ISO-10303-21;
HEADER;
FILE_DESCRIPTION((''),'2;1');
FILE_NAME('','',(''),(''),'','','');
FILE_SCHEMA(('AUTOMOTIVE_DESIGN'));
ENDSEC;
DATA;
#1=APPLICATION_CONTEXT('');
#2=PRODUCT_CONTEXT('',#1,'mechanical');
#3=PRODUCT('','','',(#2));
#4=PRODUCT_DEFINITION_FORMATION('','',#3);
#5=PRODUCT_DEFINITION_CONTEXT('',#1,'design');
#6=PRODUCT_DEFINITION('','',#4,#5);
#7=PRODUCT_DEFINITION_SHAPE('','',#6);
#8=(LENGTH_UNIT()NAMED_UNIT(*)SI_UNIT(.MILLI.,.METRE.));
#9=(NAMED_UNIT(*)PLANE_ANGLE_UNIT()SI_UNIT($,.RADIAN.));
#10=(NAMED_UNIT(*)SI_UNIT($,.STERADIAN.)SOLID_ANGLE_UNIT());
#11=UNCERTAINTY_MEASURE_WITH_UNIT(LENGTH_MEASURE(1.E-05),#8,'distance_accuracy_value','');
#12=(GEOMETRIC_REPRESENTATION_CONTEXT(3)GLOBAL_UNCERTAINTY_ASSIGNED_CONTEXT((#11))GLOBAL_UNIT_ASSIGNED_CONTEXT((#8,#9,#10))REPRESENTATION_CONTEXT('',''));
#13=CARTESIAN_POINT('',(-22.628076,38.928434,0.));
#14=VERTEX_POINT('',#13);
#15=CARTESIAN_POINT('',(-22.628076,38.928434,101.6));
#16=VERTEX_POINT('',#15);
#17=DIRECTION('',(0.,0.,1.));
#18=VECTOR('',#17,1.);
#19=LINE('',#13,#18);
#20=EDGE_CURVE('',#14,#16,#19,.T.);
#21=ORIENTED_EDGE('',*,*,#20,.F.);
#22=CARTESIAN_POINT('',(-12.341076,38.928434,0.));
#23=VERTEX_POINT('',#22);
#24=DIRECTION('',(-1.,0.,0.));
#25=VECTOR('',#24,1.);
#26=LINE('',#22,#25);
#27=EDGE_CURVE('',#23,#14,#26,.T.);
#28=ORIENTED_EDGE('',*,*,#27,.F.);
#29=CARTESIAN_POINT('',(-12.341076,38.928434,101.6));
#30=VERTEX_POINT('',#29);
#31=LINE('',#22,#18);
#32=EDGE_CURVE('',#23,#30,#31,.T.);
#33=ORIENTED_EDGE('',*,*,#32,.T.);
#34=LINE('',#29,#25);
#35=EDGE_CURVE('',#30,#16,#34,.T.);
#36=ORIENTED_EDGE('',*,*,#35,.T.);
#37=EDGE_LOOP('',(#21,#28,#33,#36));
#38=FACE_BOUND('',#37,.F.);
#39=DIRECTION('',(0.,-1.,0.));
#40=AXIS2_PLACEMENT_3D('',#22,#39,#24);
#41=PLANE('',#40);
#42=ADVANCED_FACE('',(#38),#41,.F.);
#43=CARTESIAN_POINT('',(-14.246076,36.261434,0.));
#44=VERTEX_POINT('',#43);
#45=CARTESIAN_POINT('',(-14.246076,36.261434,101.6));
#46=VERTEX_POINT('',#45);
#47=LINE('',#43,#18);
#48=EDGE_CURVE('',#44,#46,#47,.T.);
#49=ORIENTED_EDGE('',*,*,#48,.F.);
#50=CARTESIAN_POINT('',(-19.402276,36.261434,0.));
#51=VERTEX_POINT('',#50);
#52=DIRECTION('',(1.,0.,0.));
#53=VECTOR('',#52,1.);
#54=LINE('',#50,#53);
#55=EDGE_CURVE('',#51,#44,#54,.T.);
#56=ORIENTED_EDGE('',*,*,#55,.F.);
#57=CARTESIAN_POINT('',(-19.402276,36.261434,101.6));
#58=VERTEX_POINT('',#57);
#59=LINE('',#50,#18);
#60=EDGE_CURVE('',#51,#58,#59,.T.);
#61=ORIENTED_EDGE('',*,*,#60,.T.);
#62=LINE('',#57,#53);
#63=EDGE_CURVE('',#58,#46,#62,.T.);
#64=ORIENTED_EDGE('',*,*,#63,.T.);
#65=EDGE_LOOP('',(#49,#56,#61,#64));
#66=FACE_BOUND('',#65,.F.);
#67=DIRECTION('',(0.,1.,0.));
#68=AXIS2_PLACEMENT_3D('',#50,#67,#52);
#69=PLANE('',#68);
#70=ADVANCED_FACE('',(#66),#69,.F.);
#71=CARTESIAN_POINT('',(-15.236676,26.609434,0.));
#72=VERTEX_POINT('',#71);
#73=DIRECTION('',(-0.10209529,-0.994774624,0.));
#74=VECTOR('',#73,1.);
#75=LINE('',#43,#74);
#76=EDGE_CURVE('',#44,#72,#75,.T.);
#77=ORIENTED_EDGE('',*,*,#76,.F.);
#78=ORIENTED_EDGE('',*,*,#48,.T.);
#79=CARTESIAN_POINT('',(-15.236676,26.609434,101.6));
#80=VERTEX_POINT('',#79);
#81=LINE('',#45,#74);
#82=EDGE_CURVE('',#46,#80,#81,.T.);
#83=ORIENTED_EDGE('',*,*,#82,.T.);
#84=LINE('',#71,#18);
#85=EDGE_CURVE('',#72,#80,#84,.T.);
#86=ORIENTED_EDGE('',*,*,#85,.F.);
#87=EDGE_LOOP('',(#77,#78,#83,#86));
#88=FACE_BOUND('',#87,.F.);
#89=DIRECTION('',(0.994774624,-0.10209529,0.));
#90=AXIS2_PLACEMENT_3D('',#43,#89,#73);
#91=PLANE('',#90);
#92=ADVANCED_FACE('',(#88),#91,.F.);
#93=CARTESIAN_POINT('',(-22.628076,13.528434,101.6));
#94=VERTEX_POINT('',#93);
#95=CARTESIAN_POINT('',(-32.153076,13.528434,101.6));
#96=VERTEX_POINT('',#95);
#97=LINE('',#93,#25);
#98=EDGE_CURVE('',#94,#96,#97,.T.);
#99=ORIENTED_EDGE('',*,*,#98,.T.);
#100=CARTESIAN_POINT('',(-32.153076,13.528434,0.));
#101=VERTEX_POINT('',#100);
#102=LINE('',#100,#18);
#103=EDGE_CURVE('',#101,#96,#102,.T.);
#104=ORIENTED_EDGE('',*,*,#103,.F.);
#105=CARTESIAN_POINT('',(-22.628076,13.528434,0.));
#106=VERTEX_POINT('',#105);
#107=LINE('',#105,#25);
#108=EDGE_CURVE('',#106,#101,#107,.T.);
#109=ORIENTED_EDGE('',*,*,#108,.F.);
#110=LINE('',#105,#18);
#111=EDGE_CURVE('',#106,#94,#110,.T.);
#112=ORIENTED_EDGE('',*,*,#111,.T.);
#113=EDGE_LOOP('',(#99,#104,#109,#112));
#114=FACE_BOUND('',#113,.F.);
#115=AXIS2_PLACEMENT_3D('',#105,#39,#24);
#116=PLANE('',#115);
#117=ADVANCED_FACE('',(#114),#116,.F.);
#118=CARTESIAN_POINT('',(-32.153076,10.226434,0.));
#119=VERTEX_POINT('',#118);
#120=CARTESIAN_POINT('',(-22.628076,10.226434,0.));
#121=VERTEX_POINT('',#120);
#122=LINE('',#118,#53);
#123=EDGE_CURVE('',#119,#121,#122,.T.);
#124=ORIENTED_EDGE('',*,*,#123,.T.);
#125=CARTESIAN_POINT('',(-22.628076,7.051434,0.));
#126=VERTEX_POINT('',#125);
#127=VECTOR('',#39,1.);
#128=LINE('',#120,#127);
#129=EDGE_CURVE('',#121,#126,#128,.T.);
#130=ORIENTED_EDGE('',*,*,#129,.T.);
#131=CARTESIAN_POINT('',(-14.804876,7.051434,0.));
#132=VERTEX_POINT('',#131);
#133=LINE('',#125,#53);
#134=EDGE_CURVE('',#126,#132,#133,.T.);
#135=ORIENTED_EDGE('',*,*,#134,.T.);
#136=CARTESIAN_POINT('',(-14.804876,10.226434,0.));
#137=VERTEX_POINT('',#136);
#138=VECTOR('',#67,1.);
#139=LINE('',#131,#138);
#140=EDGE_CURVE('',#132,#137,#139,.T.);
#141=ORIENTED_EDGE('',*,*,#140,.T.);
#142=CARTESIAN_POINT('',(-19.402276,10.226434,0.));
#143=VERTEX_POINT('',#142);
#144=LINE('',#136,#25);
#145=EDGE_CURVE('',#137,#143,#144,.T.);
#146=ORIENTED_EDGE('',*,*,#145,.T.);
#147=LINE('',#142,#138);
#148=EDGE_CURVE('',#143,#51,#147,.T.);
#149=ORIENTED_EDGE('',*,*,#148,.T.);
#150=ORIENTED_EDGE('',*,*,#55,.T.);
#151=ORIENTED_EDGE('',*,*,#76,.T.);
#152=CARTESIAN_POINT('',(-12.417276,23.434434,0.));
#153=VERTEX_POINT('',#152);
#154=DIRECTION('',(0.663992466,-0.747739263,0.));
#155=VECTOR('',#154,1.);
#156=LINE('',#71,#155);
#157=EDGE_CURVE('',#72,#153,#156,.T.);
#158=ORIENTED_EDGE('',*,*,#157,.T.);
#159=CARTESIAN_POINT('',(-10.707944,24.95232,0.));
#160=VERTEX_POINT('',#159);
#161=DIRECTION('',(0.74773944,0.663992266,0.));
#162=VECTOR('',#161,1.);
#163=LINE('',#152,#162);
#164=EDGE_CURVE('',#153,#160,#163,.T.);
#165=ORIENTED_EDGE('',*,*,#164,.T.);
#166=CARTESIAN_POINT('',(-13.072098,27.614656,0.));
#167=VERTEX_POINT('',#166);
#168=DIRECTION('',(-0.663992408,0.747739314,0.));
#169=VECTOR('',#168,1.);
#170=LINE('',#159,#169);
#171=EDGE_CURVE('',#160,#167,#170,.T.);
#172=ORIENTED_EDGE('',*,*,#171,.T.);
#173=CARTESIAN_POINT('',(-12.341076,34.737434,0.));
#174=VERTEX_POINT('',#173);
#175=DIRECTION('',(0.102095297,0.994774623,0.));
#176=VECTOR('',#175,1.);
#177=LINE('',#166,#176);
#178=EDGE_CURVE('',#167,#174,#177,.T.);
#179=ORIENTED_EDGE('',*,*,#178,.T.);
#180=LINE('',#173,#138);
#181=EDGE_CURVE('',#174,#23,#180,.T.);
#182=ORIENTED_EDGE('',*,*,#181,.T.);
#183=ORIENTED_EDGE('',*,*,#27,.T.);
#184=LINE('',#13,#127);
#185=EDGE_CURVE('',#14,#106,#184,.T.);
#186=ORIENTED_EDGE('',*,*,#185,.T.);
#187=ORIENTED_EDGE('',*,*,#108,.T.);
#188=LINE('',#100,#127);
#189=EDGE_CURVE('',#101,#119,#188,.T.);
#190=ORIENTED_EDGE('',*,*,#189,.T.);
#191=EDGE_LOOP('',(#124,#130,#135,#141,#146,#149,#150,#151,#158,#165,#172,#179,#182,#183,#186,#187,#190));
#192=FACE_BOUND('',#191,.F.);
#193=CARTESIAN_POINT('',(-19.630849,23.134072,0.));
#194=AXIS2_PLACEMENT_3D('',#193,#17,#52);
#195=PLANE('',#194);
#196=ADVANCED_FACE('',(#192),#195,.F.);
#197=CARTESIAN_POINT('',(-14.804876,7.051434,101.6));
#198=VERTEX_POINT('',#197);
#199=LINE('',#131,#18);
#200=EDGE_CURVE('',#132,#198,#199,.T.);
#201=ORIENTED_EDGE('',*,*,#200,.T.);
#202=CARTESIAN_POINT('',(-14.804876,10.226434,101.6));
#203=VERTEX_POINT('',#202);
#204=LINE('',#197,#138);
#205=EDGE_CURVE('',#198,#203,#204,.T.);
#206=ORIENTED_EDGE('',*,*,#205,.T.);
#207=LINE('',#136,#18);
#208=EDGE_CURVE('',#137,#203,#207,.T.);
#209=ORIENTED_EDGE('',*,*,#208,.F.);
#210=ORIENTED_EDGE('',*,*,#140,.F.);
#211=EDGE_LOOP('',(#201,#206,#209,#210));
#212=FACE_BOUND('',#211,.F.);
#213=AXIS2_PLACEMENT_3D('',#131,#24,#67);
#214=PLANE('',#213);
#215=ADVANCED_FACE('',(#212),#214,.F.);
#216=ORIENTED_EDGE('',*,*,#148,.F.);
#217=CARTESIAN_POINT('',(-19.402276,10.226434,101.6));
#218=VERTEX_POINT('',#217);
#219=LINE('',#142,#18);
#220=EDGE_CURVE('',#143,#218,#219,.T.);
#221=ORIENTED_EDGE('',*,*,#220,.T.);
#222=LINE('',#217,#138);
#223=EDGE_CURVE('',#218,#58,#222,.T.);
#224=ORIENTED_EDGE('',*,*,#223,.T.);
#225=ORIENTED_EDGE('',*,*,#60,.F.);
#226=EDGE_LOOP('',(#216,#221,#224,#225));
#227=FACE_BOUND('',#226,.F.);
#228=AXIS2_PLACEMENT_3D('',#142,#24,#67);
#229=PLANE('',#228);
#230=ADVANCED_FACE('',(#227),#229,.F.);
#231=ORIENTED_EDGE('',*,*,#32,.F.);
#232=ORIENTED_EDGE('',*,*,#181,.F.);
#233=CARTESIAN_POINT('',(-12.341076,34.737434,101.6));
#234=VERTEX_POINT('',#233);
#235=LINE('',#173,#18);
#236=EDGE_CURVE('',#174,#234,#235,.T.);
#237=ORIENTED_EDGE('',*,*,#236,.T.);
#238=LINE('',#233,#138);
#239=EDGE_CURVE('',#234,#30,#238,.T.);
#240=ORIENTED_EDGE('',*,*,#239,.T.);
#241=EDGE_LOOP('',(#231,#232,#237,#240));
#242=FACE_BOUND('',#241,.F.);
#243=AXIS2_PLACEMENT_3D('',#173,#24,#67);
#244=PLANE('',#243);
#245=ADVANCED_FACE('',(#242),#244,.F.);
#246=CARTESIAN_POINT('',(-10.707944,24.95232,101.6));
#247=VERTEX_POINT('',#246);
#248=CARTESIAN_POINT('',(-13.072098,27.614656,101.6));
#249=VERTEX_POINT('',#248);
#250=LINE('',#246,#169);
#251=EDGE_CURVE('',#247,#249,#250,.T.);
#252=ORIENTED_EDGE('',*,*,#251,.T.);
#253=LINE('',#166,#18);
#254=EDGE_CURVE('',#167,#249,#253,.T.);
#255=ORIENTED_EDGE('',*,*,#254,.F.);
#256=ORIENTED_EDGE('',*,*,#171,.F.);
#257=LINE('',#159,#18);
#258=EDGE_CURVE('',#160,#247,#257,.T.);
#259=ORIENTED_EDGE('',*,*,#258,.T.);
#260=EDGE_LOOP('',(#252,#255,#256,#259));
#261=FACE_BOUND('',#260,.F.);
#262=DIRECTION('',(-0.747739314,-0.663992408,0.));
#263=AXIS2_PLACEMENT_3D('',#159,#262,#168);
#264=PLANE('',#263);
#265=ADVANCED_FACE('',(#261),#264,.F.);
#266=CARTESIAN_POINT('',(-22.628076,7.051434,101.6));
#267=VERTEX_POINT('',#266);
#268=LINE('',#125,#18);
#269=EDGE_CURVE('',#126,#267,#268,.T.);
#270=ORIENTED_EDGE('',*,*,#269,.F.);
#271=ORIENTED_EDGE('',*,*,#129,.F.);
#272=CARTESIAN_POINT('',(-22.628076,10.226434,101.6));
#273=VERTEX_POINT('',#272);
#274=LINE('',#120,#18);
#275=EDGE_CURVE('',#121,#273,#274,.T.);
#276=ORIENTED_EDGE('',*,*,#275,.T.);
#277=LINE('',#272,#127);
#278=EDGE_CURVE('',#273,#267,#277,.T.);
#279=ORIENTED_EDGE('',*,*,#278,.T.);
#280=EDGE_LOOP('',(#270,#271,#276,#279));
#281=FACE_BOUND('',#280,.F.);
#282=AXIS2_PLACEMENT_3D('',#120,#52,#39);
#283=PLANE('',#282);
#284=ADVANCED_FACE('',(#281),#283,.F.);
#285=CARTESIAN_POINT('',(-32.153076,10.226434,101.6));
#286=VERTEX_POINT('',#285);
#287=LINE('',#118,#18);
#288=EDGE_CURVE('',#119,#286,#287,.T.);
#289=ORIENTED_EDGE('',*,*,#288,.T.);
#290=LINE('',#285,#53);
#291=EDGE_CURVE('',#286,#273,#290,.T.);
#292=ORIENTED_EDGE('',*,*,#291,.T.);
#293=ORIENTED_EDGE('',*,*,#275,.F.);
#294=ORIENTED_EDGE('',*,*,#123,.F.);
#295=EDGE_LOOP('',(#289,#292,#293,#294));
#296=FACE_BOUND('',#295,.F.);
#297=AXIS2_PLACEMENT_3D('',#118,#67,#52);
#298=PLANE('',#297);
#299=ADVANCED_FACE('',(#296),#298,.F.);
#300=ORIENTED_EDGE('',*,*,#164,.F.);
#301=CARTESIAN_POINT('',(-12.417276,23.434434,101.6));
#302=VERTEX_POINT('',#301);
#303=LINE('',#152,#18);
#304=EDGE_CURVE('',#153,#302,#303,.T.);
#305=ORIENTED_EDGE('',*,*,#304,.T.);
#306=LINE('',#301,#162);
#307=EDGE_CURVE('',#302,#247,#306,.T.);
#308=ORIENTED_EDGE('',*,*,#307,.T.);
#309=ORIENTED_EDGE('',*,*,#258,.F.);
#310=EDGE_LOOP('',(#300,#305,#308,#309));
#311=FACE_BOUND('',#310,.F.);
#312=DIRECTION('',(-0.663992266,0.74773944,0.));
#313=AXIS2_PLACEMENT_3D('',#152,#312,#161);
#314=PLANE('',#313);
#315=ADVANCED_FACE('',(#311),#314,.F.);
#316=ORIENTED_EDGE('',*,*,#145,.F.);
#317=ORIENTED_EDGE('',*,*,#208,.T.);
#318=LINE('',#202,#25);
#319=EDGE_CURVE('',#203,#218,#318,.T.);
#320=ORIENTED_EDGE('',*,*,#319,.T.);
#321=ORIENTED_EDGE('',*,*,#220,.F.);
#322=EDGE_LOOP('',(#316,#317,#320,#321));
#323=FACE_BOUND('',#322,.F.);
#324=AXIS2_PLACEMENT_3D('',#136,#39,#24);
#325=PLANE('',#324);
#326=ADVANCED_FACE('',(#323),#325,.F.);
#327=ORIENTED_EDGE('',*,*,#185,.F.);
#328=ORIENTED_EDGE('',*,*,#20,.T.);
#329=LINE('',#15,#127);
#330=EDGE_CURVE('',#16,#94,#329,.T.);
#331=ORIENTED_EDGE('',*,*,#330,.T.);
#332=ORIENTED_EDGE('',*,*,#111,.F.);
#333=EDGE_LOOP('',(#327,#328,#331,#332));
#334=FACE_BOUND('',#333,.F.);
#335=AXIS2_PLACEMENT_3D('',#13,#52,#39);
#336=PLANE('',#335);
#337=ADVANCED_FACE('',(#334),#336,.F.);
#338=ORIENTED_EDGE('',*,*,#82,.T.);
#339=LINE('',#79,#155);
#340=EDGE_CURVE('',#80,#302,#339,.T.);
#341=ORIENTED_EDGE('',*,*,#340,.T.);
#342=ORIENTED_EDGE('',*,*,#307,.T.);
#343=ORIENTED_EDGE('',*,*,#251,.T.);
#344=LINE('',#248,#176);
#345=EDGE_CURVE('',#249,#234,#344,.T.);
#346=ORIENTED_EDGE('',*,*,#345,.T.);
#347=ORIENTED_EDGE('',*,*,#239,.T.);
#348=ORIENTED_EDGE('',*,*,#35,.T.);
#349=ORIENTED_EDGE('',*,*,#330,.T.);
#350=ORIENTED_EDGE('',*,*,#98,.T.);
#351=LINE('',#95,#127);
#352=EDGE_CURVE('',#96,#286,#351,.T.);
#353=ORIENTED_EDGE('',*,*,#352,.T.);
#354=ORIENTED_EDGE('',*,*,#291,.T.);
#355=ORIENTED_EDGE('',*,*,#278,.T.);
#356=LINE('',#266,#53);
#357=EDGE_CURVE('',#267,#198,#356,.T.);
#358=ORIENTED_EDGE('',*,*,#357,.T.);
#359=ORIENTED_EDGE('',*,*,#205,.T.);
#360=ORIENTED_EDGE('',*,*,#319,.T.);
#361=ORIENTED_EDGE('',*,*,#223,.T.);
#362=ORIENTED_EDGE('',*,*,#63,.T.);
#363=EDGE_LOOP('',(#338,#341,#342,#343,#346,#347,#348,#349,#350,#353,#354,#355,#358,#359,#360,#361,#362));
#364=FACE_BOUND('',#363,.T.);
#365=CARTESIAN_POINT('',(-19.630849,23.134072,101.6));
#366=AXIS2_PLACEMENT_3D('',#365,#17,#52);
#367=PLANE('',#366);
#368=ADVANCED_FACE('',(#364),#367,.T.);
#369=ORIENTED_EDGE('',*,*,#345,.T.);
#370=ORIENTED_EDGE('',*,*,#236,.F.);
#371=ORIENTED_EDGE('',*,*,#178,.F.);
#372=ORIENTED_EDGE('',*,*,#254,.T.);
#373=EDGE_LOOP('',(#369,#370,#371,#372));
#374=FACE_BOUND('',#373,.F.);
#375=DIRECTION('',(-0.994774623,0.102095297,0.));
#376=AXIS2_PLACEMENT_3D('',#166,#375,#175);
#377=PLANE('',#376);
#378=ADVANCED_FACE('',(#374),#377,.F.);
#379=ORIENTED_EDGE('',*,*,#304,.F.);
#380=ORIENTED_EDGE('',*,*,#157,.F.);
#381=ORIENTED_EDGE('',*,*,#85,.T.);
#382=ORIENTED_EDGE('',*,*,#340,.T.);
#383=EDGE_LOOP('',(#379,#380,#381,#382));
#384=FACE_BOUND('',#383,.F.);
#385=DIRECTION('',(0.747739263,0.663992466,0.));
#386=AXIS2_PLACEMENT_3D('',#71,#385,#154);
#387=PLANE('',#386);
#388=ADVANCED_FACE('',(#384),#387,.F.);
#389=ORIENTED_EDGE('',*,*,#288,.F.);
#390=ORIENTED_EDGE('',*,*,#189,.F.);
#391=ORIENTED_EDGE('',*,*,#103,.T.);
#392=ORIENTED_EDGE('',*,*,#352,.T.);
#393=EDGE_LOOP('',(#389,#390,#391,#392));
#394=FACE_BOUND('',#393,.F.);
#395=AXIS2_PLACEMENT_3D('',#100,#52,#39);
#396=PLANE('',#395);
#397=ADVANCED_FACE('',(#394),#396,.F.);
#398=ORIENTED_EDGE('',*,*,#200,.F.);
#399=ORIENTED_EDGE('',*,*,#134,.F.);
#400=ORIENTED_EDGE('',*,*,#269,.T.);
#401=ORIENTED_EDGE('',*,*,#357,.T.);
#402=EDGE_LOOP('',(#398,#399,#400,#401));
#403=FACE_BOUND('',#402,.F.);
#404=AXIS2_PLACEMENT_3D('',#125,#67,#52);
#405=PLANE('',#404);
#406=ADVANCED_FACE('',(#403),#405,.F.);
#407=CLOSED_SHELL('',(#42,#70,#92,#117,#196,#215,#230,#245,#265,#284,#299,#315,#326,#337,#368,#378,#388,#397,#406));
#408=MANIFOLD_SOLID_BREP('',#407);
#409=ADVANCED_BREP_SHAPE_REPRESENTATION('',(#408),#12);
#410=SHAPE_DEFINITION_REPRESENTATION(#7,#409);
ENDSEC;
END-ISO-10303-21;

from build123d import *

# Parameters (mm, degrees)
F1_DEPTH = 101.6


with BuildPart() as f1:
    # F0 (on Top) → F1 (new body)
    with BuildSketch(Plane.XY):
        Polygon((-19.402276, 10.226434), (-19.402276, 36.261434), (-14.246076, 36.261434), (-15.236676, 26.609434), (-12.417276, 23.434434), (-10.707944, 24.95232), (-13.072098, 27.614656), (-12.341076, 34.737434), (-12.341076, 38.928434), (-22.628076, 38.928434), (-22.628076, 13.528434), (-32.153076, 13.528434), (-32.153076, 10.226434), (-22.628076, 10.226434), (-22.628076, 7.051434), (-14.804876, 7.051434), (-14.804876, 10.226434), align=None)
    extrude(amount=F1_DEPTH)


solid = f1.part
